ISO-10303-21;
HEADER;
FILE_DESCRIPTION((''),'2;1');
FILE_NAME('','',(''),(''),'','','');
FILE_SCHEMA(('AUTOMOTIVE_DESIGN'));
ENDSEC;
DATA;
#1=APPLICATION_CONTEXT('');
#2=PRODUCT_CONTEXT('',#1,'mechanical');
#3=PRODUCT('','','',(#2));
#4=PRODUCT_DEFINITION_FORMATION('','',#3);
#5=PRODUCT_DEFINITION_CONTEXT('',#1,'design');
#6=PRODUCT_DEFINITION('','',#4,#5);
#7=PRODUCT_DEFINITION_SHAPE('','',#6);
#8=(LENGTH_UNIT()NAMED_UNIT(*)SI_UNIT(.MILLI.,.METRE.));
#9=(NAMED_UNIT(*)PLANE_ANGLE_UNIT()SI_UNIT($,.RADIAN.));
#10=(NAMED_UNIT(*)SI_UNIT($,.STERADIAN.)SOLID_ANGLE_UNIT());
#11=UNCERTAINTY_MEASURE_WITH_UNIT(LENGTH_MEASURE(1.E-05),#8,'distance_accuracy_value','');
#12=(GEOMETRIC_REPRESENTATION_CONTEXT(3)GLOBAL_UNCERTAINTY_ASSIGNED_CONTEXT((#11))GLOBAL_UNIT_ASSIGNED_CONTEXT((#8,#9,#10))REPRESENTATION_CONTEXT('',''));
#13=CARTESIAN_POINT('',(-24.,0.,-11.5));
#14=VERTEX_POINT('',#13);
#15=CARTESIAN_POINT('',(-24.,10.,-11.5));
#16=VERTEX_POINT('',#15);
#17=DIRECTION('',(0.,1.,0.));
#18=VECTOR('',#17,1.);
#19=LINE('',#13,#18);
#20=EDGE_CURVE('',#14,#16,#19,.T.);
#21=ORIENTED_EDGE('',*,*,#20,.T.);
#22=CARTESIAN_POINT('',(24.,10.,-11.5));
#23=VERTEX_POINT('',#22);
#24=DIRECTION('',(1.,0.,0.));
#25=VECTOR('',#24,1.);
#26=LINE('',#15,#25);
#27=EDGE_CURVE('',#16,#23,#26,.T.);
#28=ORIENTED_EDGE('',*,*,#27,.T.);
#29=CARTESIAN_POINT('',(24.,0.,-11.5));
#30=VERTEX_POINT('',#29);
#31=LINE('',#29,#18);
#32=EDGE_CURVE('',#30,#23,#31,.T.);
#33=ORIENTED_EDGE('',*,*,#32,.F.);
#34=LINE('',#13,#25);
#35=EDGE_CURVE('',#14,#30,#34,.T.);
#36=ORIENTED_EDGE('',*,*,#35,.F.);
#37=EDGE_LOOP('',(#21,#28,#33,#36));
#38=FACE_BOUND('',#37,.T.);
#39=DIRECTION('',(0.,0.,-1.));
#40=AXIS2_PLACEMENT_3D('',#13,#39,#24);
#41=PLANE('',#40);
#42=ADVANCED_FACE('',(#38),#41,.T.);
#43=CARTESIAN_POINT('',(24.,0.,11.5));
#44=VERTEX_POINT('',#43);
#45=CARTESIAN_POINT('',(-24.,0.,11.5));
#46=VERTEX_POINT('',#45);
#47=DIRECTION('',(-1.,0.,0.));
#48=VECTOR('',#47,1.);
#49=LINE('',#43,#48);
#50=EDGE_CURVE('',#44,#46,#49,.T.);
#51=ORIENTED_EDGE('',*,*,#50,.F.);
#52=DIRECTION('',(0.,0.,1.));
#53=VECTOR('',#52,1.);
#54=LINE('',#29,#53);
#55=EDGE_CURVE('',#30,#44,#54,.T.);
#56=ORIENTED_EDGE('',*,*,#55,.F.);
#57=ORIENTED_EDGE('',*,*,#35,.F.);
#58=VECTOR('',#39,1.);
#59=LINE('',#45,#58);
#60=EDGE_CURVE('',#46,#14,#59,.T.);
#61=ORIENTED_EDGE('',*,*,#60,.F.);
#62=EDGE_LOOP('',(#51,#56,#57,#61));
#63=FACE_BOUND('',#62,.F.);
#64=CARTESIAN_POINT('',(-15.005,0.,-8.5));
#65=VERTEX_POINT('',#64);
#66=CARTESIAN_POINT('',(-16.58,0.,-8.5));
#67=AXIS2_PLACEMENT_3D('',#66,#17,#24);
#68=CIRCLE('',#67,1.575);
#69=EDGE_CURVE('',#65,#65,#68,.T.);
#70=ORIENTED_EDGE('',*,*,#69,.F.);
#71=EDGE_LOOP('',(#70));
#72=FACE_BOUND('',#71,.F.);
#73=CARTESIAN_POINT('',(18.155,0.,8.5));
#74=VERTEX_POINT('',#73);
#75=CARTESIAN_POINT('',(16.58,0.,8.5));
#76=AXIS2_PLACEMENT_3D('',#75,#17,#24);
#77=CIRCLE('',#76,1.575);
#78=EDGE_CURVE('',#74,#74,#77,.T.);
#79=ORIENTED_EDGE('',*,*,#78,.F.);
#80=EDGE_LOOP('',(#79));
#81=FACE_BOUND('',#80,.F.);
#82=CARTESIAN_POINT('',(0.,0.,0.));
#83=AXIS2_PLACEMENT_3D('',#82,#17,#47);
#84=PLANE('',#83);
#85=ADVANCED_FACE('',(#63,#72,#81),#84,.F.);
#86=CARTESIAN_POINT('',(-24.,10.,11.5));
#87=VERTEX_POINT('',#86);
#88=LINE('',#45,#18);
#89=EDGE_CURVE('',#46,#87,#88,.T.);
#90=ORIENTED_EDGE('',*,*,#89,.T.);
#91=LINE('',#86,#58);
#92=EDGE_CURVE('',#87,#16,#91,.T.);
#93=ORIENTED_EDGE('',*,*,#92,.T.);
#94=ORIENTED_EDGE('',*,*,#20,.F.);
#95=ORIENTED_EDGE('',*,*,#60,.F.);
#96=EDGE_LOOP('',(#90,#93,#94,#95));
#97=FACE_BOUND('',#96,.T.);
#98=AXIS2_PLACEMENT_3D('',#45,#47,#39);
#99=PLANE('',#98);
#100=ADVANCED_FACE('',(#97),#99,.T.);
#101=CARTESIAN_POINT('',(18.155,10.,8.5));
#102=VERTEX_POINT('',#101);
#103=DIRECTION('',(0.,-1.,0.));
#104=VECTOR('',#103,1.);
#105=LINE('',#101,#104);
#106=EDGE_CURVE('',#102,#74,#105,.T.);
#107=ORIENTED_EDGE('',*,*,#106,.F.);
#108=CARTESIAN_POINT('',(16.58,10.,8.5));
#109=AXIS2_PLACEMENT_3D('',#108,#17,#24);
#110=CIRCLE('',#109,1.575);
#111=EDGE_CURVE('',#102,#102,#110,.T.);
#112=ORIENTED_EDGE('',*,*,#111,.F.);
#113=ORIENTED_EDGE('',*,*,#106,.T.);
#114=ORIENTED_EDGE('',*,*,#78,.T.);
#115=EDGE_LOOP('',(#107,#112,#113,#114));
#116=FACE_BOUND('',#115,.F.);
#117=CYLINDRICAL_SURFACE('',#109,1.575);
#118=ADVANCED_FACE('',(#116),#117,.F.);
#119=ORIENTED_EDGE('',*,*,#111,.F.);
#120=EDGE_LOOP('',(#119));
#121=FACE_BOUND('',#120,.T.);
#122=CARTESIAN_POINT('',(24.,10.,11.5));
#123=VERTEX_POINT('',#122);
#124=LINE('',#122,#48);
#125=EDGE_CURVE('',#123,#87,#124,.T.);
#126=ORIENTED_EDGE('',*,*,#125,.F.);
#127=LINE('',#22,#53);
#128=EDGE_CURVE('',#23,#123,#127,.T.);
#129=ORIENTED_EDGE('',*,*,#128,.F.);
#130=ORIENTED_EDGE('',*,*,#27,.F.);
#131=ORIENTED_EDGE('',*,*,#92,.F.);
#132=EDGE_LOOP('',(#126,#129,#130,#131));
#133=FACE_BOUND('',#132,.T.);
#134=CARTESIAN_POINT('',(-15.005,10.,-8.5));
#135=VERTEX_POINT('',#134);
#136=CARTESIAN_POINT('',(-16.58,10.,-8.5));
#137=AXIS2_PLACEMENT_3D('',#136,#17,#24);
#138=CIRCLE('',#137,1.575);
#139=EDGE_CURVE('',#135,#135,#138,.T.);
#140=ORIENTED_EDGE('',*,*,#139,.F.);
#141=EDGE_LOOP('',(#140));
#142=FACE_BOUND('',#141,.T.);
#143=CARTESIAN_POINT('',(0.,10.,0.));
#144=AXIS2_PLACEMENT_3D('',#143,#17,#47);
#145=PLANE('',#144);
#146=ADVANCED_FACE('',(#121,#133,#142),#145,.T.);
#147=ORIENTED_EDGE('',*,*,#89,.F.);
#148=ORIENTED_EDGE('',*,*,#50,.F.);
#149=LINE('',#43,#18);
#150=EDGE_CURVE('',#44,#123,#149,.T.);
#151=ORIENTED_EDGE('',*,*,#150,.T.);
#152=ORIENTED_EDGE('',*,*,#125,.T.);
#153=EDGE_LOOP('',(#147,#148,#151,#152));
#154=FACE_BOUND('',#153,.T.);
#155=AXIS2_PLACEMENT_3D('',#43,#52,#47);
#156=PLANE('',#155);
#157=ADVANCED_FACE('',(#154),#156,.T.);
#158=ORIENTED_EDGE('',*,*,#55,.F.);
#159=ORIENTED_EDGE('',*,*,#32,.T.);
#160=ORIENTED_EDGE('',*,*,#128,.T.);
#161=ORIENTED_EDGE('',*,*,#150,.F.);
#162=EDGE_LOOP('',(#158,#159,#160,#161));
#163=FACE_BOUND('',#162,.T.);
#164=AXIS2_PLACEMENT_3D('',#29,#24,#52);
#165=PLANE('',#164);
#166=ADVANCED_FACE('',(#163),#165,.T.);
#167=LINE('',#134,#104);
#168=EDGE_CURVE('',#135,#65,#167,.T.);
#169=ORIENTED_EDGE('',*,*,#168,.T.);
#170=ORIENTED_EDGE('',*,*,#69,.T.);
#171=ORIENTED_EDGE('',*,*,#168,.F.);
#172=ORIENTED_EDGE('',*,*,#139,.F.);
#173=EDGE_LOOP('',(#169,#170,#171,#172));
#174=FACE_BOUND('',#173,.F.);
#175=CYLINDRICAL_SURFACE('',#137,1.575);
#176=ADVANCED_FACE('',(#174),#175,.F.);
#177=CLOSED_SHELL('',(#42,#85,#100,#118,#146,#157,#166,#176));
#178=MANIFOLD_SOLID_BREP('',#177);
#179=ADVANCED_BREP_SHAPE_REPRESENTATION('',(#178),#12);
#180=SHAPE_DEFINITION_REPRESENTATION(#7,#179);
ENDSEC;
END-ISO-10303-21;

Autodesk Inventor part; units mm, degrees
ref_plane "YZ Plane" through (0, 0, 0) normal (1, 0, 0) x (0, 1, 0)
ref_plane "XZ Plane" through (0, 0, 0) normal (0, 1, 0) x (-1, 0, 0)
ref_plane "XY Plane" through (0, 0, 0) normal (0, 0, 1) x (1, 0, 0)
sketch "Эскиз1" plane through (0, 0, 0) normal (0, 1, 0) x (-1, 0, 0)
  line L0 (24, -11.5) -> (-24, -11.5)
  line L1 (-24, -11.5) -> (-24, 11.5)
  line L2 (-24, 11.5) -> (24, 11.5)
  line L3 (24, 11.5) -> (24, -11.5)
  line L4 (24, -11.5) -> (-24, 11.5) construction
  line L5 (-24, -11.5) -> (24, 11.5) construction
  point P0 (0, 0)
  dimension "d0" = 48
  dimension "d1" = 23
extrude "Выдавливание1" add sketch "Эскиз1" along normal blind 10
sketch "Эскиз2" plane through (0, 10, 0) normal (0, 1, 0) x (1, 0, 0)
  circle A0 centre (16.58, -8.5) radius 1.575
  circle A1 centre (-16.58, 8.5) radius 1.575
  line L0 (24, -11.5) -> (24, 11.5) projected
  line L1 (-24, -11.5) -> (24, -11.5) projected
  line L2 (24, 11.5) -> (-24, 11.5) projected
  line L3 (-24, 11.5) -> (-24, -11.5) projected
  point P0 (0, 0)
  dimension "d4" = 3.15
  dimension "d5" = 3.15
  dimension "d6" = 40.58
  dimension "d7" = 20
  dimension "d8" = 20
  dimension "d9" = 40.58
extrude "Выдавливание2" cut sketch "Эскиз2" against normal blind 10 contours A0 | A1
properties part number "стабилизатор"
